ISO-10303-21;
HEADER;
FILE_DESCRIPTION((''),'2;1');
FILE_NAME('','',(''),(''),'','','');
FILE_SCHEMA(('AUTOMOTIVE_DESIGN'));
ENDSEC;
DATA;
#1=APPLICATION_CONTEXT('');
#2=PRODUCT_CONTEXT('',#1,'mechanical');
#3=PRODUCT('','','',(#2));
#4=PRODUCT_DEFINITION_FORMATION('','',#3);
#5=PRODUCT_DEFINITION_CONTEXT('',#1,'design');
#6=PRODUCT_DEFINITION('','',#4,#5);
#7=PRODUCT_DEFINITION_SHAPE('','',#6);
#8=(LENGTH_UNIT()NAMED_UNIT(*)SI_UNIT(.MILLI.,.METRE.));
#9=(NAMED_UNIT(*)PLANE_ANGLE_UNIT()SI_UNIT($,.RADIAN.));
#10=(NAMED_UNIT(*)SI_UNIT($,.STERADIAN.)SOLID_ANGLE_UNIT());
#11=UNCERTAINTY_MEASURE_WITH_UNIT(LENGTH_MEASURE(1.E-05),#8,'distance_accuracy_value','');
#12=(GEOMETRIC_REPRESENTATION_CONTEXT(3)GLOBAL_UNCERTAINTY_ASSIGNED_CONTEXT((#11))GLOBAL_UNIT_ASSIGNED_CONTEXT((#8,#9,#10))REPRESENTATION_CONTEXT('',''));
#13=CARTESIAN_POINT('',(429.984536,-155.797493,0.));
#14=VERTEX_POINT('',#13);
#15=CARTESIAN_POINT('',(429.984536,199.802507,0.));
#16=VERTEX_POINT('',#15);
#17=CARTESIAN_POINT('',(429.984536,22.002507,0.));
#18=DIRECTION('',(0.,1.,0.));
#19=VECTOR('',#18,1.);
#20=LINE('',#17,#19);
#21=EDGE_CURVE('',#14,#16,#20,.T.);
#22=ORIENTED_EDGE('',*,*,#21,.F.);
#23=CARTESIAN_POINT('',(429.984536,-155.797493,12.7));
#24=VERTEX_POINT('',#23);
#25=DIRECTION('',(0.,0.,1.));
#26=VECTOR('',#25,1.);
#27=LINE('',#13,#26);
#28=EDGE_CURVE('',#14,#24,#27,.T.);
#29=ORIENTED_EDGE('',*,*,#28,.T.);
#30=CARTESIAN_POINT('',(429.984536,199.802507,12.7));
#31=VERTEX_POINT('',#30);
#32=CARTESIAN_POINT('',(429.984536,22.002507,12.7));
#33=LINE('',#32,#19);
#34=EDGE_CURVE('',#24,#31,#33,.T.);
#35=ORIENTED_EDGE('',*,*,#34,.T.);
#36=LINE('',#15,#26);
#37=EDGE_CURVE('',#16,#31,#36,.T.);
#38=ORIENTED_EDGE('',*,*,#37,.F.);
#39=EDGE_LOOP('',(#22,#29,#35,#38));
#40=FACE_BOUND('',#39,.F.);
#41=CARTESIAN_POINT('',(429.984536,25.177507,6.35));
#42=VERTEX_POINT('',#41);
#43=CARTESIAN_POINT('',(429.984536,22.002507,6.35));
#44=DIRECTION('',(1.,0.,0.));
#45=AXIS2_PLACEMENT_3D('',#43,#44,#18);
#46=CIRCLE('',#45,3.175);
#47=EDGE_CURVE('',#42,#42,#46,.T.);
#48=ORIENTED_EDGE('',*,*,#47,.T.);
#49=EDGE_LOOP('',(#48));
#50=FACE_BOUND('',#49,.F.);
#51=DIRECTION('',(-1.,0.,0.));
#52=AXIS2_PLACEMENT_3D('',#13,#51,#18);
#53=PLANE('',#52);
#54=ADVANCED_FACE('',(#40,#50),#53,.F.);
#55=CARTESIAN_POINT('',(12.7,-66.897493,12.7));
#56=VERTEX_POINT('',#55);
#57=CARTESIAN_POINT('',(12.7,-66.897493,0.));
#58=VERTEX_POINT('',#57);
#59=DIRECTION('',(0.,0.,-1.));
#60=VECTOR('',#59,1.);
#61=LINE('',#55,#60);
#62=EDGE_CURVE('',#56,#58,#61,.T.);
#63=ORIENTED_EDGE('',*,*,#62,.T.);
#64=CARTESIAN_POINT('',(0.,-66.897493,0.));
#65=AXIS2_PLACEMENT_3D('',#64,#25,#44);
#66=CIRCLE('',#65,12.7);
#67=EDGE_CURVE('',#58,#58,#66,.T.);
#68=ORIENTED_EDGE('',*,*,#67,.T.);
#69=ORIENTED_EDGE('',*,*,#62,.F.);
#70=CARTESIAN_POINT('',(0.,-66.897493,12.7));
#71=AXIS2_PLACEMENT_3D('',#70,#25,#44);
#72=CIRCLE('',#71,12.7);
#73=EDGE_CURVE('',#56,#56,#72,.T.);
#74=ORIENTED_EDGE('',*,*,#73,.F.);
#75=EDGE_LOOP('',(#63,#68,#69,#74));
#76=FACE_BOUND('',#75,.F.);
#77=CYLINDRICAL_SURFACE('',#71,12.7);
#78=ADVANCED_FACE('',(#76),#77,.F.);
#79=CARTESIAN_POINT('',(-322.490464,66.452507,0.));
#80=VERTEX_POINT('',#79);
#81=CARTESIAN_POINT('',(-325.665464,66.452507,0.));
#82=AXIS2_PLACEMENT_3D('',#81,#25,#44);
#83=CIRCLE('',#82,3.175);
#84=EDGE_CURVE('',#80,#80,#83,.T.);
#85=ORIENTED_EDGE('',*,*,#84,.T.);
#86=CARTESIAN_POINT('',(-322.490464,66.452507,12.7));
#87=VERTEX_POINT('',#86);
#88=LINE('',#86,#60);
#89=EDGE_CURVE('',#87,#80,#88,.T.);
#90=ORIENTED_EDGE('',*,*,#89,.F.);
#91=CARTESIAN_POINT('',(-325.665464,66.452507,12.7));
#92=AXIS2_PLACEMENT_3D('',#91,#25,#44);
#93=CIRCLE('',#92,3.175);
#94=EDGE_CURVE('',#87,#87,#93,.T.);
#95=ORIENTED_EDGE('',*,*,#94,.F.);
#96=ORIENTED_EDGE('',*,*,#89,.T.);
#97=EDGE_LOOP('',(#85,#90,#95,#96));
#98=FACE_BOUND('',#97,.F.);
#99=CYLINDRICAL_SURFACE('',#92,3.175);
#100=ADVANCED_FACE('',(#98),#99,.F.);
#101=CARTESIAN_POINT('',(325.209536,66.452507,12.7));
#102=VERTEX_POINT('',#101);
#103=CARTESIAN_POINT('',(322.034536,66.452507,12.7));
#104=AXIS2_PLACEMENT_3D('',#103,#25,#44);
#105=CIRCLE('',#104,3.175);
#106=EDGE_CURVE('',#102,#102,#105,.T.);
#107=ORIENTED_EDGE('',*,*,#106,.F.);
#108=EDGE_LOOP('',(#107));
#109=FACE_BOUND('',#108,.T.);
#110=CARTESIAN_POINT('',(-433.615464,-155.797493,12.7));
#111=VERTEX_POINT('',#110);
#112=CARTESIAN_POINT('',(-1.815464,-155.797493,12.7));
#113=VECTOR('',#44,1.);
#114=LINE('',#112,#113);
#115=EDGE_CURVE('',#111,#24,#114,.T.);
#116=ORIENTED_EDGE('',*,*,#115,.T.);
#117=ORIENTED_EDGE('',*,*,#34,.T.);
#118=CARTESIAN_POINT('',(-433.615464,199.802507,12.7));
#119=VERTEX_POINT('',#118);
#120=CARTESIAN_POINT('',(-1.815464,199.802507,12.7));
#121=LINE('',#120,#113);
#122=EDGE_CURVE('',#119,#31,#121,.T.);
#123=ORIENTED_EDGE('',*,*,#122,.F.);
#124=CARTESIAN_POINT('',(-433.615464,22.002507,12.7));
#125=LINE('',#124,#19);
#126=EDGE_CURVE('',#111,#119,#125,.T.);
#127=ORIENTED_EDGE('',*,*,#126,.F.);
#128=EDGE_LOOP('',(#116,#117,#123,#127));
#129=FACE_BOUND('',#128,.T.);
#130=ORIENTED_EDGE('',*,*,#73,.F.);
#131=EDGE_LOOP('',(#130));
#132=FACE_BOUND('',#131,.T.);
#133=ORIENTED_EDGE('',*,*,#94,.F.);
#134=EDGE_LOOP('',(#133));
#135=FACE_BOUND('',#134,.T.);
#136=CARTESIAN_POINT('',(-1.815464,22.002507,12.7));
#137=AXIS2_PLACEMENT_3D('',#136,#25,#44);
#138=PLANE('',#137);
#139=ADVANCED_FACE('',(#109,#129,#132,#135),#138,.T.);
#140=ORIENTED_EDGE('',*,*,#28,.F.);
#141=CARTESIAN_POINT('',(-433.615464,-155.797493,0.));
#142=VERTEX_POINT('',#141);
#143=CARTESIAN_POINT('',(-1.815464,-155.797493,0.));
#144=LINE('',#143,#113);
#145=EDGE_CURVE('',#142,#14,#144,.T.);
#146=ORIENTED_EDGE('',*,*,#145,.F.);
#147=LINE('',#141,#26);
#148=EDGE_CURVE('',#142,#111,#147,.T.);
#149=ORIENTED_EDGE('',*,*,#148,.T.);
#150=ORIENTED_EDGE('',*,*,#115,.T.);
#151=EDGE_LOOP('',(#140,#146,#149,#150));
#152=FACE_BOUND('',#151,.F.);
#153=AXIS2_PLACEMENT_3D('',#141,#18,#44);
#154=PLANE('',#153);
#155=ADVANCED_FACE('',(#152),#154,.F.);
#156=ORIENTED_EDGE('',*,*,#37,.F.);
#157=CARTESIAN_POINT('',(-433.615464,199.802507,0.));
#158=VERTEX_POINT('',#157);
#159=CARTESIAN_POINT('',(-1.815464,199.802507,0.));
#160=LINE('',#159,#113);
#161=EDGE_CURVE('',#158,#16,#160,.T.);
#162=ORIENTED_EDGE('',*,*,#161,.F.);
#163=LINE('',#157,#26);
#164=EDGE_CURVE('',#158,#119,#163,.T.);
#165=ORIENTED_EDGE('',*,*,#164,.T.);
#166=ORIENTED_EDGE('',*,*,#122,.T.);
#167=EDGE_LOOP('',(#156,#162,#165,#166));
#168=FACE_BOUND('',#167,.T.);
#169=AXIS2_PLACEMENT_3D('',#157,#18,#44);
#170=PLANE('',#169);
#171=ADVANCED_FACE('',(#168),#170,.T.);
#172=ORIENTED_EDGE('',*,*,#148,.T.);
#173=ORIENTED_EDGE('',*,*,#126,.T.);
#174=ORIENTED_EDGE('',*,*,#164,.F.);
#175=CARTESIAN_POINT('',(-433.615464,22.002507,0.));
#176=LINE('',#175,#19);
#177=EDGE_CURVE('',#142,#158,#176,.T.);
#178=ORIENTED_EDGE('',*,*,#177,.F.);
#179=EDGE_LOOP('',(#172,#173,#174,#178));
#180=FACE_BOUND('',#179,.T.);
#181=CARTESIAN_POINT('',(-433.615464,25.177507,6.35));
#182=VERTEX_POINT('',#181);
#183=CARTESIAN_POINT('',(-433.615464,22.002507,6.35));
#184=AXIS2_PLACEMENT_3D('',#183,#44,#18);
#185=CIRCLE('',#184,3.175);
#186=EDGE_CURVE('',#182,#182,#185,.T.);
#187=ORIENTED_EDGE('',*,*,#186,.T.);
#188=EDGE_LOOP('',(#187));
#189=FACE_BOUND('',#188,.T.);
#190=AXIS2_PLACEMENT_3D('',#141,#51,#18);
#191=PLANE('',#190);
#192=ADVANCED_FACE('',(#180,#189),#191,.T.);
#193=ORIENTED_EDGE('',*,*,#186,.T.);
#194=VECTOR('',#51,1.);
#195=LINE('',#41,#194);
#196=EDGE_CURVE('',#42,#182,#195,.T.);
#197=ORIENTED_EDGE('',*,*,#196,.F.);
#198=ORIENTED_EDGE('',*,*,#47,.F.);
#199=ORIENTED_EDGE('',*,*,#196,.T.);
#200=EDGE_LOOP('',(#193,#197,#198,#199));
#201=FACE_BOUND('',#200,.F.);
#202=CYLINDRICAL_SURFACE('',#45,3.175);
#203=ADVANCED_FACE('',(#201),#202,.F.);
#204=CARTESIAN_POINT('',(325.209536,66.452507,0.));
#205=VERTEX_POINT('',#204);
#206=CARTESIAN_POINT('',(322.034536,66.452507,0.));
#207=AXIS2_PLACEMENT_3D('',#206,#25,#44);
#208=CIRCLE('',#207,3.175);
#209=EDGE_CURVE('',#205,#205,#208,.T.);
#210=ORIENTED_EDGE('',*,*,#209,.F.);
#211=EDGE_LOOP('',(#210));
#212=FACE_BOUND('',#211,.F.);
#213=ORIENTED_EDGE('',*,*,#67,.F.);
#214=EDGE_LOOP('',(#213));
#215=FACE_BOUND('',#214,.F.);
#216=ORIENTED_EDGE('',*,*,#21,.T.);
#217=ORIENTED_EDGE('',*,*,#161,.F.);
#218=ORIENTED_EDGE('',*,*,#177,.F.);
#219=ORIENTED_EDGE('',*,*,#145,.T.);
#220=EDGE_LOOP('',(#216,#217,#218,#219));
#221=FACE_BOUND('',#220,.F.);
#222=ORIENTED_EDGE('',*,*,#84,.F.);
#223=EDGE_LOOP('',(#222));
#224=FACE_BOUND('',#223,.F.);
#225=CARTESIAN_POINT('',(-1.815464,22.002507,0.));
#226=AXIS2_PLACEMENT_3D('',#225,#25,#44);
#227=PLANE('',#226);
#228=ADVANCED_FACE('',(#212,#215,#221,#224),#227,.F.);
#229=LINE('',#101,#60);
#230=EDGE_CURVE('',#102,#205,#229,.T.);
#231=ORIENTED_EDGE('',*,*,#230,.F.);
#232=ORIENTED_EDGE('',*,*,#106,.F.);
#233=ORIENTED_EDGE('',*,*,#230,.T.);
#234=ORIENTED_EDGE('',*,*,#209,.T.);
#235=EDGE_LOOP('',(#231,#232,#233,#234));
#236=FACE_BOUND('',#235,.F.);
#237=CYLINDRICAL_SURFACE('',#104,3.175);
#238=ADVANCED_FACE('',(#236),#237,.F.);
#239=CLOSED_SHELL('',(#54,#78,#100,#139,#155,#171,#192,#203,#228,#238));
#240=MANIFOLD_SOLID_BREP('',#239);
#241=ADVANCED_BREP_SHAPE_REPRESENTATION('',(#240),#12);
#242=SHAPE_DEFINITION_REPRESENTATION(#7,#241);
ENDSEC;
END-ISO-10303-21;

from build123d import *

# Parameters (mm, degrees)
F0_W     = 863.6
F0_H     = 355.6
F1_DEPTH = 12.7
F2_R     = 3.175
F3_DEPTH = 863.601
F4_R     = 12.7
F5_DEPTH = 25.4
F4_R_2   = 3.175
F6_DEPTH = 12.701


with BuildPart() as f1:
    # F0 (on Top) → F1 (new body)
    with BuildSketch(Plane.XY):
        with Locations((-1.815464, 22.002507)):
            Rectangle(F0_W, F0_H)
    extrude(amount=F1_DEPTH)

    # F2 (on face) → F3 (cut, through all)
    with BuildSketch(Plane.YZ.offset(429.984536)):
        with Locations((22.002507, 6.35)):
            Circle(F2_R)
    extrude(amount=-F3_DEPTH, mode=Mode.SUBTRACT)

    # F4 (on face) → F5 (cut)
    with BuildSketch(Plane.XY.offset(12.7)):
        with Locations((0, -66.897493)):
            Circle(F4_R)
    extrude(amount=-F5_DEPTH, mode=Mode.SUBTRACT)

    # F4 (on face) → F6 (cut, through all)
    with BuildSketch(Plane.XY.offset(12.7)):
        with Locations((0, -66.897493)):
            Circle(F4_R)
        with Locations((-325.665464, 66.452507)):
            Circle(F4_R_2)
        with Locations((322.034536, 66.452507)):
            Circle(F4_R_2)
    extrude(amount=-F6_DEPTH, mode=Mode.SUBTRACT)


solid = f1.part
